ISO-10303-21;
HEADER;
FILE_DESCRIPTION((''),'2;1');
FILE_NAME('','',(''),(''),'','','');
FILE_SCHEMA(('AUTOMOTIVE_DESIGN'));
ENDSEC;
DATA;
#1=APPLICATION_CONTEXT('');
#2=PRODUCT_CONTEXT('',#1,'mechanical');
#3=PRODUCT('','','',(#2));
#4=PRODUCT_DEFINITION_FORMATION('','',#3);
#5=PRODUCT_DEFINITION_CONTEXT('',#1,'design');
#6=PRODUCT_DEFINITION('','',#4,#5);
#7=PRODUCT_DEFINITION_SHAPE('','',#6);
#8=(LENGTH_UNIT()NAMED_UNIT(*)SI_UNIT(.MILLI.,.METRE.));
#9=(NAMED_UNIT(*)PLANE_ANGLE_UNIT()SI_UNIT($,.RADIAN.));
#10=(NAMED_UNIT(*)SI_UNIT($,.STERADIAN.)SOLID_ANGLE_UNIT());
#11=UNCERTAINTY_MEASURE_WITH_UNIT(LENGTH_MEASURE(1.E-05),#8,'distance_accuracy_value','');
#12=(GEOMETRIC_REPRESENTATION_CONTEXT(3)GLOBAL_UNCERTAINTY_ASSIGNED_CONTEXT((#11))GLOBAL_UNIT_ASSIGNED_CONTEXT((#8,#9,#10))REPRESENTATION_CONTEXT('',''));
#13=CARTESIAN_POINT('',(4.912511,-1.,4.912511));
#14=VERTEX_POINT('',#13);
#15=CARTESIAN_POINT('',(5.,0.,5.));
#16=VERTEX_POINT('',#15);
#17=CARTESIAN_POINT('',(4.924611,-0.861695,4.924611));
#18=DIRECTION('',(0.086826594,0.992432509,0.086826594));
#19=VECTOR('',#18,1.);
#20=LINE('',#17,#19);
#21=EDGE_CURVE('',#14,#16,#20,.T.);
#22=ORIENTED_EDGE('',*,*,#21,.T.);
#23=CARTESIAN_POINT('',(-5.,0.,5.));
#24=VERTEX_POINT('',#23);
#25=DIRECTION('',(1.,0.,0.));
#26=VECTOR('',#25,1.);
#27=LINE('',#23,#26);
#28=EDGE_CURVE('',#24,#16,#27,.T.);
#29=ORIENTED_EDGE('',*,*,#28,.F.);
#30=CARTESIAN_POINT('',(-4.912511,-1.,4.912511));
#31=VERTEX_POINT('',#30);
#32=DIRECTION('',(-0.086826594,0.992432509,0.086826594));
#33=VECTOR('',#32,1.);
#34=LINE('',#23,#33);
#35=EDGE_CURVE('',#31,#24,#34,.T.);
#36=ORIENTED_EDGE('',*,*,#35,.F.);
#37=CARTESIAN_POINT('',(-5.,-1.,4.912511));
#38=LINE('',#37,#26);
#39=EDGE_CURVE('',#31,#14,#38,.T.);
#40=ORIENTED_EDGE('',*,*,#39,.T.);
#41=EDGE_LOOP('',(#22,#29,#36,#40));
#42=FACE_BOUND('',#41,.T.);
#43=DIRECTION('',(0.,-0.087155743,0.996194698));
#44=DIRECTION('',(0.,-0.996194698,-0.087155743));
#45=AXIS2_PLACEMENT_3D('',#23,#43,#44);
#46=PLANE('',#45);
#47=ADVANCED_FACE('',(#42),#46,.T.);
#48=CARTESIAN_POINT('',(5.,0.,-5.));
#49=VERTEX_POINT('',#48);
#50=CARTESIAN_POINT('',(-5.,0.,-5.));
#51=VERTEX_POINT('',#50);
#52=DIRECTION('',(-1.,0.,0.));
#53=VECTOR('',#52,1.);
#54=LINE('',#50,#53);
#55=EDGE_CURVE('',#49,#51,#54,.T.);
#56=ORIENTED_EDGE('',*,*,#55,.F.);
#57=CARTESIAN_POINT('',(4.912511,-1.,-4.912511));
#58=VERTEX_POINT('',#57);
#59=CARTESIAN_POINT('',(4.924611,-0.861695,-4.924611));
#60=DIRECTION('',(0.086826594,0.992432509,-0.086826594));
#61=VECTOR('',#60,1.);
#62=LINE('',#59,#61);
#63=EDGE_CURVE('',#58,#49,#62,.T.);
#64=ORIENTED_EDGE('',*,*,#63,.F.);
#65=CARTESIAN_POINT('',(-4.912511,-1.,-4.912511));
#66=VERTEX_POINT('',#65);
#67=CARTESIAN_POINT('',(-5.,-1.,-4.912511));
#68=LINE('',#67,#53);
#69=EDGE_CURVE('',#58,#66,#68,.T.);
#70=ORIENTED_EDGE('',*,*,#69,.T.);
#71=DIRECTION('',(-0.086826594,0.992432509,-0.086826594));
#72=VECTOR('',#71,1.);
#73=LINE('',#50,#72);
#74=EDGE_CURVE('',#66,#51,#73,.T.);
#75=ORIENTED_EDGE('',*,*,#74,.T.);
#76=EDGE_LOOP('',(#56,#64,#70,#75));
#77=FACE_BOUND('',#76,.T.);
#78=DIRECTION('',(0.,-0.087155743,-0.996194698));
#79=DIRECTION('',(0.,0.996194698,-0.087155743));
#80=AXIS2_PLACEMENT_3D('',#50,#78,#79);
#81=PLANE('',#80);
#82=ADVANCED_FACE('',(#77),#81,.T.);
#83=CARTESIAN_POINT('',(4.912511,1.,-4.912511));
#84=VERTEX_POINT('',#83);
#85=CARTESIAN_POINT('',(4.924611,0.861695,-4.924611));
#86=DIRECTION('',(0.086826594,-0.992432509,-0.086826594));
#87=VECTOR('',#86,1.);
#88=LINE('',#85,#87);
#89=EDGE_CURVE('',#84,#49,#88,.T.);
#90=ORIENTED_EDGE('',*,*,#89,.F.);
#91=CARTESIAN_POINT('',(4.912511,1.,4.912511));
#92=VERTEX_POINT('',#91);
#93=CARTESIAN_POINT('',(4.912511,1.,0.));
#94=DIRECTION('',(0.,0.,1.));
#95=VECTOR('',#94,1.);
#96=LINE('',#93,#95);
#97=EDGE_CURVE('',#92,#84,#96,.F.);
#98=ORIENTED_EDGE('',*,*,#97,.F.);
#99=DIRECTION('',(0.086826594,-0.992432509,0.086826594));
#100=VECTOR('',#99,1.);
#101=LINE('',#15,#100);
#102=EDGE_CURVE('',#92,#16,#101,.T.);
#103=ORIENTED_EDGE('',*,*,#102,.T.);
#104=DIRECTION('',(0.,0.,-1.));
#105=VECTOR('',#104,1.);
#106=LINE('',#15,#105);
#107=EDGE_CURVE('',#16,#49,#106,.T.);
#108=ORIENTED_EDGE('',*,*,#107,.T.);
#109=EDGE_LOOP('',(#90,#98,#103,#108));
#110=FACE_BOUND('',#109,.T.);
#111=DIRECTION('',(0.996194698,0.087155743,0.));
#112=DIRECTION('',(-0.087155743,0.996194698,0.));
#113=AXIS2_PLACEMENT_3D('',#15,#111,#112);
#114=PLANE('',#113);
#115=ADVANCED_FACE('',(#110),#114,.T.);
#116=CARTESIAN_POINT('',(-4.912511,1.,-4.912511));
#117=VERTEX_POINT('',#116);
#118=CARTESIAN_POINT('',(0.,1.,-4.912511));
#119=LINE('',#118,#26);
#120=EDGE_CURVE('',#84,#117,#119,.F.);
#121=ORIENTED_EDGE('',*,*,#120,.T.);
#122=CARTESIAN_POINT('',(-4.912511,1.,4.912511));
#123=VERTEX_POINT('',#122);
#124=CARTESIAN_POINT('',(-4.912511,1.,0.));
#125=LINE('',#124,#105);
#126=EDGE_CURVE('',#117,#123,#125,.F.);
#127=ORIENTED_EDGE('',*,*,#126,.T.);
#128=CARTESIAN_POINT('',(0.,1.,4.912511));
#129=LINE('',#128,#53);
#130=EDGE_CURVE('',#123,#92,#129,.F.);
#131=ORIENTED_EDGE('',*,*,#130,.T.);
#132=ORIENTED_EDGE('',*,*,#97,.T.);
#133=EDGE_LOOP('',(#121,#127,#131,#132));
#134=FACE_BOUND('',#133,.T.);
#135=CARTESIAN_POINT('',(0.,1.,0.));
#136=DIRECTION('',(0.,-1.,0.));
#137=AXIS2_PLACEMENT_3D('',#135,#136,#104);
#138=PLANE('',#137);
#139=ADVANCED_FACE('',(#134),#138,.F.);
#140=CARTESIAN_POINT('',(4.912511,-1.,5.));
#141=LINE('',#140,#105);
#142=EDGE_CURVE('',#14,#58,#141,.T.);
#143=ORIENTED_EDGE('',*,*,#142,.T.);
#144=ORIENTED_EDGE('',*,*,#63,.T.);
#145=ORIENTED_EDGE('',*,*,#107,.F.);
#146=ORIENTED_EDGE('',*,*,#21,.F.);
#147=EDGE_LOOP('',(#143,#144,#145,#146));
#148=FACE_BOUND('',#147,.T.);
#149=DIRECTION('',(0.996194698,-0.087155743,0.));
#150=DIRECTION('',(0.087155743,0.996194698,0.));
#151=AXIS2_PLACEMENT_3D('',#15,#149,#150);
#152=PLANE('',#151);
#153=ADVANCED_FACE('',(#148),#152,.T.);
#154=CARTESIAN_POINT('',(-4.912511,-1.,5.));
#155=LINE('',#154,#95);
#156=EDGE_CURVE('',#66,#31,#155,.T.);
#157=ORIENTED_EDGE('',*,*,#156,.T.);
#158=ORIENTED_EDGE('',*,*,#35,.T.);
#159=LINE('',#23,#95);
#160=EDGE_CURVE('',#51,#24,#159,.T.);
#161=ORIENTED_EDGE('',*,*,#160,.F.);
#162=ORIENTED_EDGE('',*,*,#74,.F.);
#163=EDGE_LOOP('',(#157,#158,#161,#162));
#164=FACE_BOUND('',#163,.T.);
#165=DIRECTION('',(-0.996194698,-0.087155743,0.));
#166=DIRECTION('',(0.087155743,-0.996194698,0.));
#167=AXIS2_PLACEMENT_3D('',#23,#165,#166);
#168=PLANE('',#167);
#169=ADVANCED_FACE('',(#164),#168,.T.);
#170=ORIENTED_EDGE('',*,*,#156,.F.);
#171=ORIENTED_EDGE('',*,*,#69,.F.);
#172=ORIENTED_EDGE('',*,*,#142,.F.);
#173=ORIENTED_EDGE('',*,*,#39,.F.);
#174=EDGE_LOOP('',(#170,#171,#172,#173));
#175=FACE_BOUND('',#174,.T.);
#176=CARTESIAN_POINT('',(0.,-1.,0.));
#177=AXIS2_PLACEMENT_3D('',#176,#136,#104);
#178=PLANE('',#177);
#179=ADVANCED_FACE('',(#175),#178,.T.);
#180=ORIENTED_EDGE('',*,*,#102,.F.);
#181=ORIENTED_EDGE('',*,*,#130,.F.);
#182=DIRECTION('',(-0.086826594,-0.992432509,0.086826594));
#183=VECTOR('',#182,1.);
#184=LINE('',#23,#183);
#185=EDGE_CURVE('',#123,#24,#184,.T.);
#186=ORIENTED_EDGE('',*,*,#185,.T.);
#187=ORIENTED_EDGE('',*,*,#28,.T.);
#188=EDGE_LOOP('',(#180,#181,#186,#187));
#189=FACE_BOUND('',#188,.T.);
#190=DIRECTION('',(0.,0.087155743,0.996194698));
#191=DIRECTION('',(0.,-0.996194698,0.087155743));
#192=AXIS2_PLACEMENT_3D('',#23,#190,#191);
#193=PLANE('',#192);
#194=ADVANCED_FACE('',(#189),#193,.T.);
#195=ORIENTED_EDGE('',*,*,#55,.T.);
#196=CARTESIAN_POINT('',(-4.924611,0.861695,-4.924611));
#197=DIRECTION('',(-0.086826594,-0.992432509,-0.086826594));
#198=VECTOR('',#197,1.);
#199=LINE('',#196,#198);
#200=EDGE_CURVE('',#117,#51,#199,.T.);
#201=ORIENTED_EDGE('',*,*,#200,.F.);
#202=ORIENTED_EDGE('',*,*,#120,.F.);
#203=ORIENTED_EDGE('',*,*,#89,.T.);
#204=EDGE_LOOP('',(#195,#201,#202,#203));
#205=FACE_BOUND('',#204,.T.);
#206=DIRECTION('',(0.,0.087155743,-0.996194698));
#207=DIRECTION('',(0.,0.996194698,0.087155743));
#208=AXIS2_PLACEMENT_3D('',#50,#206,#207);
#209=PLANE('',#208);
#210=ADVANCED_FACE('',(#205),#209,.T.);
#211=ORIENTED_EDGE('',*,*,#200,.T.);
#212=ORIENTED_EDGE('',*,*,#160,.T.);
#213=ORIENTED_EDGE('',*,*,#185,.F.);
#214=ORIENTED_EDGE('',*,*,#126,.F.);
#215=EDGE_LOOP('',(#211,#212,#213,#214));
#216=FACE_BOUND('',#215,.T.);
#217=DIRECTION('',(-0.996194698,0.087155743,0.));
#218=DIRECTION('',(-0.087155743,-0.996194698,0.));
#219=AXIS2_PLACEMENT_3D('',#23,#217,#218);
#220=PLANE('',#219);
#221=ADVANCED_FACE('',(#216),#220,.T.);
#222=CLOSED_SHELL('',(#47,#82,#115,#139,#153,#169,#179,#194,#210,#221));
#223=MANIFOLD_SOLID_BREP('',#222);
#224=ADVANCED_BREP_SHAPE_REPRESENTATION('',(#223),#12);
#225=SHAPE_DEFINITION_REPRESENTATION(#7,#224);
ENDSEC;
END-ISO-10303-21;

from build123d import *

# Parameters (mm, degrees)
SKETCH1_W                     = 10
SKETCH1_H                     = 10
BOSS_EXTRUDE1_DEPTH           = 1
BOSS_EXTRUDE1_TAPER           = 5
BOSS_EXTRUDE1_OTHER_WAY_DEPTH = 1
BOSS_EXTRUDE1_OTHER_WAY_TAPER = 5


with BuildPart() as part:
    # Sketch1 → Boss-Extrude1 (new body)
    with BuildSketch(Plane(origin=(0, 0, 0), x_dir=(1, 0, 0), z_dir=(0, 1, 0))):
        Rectangle(SKETCH1_W, SKETCH1_H)
    extrude(amount=BOSS_EXTRUDE1_DEPTH, taper=BOSS_EXTRUDE1_TAPER)

    # Sketch1 → Boss-Extrude1 other way (add)
    with BuildSketch(Plane(origin=(0, 0, 0), x_dir=(1, 0, 0), z_dir=(0, 1, 0))):
        Rectangle(SKETCH1_W, SKETCH1_H)
    extrude(amount=-BOSS_EXTRUDE1_OTHER_WAY_DEPTH, taper=BOSS_EXTRUDE1_OTHER_WAY_TAPER)


solid = part.part
